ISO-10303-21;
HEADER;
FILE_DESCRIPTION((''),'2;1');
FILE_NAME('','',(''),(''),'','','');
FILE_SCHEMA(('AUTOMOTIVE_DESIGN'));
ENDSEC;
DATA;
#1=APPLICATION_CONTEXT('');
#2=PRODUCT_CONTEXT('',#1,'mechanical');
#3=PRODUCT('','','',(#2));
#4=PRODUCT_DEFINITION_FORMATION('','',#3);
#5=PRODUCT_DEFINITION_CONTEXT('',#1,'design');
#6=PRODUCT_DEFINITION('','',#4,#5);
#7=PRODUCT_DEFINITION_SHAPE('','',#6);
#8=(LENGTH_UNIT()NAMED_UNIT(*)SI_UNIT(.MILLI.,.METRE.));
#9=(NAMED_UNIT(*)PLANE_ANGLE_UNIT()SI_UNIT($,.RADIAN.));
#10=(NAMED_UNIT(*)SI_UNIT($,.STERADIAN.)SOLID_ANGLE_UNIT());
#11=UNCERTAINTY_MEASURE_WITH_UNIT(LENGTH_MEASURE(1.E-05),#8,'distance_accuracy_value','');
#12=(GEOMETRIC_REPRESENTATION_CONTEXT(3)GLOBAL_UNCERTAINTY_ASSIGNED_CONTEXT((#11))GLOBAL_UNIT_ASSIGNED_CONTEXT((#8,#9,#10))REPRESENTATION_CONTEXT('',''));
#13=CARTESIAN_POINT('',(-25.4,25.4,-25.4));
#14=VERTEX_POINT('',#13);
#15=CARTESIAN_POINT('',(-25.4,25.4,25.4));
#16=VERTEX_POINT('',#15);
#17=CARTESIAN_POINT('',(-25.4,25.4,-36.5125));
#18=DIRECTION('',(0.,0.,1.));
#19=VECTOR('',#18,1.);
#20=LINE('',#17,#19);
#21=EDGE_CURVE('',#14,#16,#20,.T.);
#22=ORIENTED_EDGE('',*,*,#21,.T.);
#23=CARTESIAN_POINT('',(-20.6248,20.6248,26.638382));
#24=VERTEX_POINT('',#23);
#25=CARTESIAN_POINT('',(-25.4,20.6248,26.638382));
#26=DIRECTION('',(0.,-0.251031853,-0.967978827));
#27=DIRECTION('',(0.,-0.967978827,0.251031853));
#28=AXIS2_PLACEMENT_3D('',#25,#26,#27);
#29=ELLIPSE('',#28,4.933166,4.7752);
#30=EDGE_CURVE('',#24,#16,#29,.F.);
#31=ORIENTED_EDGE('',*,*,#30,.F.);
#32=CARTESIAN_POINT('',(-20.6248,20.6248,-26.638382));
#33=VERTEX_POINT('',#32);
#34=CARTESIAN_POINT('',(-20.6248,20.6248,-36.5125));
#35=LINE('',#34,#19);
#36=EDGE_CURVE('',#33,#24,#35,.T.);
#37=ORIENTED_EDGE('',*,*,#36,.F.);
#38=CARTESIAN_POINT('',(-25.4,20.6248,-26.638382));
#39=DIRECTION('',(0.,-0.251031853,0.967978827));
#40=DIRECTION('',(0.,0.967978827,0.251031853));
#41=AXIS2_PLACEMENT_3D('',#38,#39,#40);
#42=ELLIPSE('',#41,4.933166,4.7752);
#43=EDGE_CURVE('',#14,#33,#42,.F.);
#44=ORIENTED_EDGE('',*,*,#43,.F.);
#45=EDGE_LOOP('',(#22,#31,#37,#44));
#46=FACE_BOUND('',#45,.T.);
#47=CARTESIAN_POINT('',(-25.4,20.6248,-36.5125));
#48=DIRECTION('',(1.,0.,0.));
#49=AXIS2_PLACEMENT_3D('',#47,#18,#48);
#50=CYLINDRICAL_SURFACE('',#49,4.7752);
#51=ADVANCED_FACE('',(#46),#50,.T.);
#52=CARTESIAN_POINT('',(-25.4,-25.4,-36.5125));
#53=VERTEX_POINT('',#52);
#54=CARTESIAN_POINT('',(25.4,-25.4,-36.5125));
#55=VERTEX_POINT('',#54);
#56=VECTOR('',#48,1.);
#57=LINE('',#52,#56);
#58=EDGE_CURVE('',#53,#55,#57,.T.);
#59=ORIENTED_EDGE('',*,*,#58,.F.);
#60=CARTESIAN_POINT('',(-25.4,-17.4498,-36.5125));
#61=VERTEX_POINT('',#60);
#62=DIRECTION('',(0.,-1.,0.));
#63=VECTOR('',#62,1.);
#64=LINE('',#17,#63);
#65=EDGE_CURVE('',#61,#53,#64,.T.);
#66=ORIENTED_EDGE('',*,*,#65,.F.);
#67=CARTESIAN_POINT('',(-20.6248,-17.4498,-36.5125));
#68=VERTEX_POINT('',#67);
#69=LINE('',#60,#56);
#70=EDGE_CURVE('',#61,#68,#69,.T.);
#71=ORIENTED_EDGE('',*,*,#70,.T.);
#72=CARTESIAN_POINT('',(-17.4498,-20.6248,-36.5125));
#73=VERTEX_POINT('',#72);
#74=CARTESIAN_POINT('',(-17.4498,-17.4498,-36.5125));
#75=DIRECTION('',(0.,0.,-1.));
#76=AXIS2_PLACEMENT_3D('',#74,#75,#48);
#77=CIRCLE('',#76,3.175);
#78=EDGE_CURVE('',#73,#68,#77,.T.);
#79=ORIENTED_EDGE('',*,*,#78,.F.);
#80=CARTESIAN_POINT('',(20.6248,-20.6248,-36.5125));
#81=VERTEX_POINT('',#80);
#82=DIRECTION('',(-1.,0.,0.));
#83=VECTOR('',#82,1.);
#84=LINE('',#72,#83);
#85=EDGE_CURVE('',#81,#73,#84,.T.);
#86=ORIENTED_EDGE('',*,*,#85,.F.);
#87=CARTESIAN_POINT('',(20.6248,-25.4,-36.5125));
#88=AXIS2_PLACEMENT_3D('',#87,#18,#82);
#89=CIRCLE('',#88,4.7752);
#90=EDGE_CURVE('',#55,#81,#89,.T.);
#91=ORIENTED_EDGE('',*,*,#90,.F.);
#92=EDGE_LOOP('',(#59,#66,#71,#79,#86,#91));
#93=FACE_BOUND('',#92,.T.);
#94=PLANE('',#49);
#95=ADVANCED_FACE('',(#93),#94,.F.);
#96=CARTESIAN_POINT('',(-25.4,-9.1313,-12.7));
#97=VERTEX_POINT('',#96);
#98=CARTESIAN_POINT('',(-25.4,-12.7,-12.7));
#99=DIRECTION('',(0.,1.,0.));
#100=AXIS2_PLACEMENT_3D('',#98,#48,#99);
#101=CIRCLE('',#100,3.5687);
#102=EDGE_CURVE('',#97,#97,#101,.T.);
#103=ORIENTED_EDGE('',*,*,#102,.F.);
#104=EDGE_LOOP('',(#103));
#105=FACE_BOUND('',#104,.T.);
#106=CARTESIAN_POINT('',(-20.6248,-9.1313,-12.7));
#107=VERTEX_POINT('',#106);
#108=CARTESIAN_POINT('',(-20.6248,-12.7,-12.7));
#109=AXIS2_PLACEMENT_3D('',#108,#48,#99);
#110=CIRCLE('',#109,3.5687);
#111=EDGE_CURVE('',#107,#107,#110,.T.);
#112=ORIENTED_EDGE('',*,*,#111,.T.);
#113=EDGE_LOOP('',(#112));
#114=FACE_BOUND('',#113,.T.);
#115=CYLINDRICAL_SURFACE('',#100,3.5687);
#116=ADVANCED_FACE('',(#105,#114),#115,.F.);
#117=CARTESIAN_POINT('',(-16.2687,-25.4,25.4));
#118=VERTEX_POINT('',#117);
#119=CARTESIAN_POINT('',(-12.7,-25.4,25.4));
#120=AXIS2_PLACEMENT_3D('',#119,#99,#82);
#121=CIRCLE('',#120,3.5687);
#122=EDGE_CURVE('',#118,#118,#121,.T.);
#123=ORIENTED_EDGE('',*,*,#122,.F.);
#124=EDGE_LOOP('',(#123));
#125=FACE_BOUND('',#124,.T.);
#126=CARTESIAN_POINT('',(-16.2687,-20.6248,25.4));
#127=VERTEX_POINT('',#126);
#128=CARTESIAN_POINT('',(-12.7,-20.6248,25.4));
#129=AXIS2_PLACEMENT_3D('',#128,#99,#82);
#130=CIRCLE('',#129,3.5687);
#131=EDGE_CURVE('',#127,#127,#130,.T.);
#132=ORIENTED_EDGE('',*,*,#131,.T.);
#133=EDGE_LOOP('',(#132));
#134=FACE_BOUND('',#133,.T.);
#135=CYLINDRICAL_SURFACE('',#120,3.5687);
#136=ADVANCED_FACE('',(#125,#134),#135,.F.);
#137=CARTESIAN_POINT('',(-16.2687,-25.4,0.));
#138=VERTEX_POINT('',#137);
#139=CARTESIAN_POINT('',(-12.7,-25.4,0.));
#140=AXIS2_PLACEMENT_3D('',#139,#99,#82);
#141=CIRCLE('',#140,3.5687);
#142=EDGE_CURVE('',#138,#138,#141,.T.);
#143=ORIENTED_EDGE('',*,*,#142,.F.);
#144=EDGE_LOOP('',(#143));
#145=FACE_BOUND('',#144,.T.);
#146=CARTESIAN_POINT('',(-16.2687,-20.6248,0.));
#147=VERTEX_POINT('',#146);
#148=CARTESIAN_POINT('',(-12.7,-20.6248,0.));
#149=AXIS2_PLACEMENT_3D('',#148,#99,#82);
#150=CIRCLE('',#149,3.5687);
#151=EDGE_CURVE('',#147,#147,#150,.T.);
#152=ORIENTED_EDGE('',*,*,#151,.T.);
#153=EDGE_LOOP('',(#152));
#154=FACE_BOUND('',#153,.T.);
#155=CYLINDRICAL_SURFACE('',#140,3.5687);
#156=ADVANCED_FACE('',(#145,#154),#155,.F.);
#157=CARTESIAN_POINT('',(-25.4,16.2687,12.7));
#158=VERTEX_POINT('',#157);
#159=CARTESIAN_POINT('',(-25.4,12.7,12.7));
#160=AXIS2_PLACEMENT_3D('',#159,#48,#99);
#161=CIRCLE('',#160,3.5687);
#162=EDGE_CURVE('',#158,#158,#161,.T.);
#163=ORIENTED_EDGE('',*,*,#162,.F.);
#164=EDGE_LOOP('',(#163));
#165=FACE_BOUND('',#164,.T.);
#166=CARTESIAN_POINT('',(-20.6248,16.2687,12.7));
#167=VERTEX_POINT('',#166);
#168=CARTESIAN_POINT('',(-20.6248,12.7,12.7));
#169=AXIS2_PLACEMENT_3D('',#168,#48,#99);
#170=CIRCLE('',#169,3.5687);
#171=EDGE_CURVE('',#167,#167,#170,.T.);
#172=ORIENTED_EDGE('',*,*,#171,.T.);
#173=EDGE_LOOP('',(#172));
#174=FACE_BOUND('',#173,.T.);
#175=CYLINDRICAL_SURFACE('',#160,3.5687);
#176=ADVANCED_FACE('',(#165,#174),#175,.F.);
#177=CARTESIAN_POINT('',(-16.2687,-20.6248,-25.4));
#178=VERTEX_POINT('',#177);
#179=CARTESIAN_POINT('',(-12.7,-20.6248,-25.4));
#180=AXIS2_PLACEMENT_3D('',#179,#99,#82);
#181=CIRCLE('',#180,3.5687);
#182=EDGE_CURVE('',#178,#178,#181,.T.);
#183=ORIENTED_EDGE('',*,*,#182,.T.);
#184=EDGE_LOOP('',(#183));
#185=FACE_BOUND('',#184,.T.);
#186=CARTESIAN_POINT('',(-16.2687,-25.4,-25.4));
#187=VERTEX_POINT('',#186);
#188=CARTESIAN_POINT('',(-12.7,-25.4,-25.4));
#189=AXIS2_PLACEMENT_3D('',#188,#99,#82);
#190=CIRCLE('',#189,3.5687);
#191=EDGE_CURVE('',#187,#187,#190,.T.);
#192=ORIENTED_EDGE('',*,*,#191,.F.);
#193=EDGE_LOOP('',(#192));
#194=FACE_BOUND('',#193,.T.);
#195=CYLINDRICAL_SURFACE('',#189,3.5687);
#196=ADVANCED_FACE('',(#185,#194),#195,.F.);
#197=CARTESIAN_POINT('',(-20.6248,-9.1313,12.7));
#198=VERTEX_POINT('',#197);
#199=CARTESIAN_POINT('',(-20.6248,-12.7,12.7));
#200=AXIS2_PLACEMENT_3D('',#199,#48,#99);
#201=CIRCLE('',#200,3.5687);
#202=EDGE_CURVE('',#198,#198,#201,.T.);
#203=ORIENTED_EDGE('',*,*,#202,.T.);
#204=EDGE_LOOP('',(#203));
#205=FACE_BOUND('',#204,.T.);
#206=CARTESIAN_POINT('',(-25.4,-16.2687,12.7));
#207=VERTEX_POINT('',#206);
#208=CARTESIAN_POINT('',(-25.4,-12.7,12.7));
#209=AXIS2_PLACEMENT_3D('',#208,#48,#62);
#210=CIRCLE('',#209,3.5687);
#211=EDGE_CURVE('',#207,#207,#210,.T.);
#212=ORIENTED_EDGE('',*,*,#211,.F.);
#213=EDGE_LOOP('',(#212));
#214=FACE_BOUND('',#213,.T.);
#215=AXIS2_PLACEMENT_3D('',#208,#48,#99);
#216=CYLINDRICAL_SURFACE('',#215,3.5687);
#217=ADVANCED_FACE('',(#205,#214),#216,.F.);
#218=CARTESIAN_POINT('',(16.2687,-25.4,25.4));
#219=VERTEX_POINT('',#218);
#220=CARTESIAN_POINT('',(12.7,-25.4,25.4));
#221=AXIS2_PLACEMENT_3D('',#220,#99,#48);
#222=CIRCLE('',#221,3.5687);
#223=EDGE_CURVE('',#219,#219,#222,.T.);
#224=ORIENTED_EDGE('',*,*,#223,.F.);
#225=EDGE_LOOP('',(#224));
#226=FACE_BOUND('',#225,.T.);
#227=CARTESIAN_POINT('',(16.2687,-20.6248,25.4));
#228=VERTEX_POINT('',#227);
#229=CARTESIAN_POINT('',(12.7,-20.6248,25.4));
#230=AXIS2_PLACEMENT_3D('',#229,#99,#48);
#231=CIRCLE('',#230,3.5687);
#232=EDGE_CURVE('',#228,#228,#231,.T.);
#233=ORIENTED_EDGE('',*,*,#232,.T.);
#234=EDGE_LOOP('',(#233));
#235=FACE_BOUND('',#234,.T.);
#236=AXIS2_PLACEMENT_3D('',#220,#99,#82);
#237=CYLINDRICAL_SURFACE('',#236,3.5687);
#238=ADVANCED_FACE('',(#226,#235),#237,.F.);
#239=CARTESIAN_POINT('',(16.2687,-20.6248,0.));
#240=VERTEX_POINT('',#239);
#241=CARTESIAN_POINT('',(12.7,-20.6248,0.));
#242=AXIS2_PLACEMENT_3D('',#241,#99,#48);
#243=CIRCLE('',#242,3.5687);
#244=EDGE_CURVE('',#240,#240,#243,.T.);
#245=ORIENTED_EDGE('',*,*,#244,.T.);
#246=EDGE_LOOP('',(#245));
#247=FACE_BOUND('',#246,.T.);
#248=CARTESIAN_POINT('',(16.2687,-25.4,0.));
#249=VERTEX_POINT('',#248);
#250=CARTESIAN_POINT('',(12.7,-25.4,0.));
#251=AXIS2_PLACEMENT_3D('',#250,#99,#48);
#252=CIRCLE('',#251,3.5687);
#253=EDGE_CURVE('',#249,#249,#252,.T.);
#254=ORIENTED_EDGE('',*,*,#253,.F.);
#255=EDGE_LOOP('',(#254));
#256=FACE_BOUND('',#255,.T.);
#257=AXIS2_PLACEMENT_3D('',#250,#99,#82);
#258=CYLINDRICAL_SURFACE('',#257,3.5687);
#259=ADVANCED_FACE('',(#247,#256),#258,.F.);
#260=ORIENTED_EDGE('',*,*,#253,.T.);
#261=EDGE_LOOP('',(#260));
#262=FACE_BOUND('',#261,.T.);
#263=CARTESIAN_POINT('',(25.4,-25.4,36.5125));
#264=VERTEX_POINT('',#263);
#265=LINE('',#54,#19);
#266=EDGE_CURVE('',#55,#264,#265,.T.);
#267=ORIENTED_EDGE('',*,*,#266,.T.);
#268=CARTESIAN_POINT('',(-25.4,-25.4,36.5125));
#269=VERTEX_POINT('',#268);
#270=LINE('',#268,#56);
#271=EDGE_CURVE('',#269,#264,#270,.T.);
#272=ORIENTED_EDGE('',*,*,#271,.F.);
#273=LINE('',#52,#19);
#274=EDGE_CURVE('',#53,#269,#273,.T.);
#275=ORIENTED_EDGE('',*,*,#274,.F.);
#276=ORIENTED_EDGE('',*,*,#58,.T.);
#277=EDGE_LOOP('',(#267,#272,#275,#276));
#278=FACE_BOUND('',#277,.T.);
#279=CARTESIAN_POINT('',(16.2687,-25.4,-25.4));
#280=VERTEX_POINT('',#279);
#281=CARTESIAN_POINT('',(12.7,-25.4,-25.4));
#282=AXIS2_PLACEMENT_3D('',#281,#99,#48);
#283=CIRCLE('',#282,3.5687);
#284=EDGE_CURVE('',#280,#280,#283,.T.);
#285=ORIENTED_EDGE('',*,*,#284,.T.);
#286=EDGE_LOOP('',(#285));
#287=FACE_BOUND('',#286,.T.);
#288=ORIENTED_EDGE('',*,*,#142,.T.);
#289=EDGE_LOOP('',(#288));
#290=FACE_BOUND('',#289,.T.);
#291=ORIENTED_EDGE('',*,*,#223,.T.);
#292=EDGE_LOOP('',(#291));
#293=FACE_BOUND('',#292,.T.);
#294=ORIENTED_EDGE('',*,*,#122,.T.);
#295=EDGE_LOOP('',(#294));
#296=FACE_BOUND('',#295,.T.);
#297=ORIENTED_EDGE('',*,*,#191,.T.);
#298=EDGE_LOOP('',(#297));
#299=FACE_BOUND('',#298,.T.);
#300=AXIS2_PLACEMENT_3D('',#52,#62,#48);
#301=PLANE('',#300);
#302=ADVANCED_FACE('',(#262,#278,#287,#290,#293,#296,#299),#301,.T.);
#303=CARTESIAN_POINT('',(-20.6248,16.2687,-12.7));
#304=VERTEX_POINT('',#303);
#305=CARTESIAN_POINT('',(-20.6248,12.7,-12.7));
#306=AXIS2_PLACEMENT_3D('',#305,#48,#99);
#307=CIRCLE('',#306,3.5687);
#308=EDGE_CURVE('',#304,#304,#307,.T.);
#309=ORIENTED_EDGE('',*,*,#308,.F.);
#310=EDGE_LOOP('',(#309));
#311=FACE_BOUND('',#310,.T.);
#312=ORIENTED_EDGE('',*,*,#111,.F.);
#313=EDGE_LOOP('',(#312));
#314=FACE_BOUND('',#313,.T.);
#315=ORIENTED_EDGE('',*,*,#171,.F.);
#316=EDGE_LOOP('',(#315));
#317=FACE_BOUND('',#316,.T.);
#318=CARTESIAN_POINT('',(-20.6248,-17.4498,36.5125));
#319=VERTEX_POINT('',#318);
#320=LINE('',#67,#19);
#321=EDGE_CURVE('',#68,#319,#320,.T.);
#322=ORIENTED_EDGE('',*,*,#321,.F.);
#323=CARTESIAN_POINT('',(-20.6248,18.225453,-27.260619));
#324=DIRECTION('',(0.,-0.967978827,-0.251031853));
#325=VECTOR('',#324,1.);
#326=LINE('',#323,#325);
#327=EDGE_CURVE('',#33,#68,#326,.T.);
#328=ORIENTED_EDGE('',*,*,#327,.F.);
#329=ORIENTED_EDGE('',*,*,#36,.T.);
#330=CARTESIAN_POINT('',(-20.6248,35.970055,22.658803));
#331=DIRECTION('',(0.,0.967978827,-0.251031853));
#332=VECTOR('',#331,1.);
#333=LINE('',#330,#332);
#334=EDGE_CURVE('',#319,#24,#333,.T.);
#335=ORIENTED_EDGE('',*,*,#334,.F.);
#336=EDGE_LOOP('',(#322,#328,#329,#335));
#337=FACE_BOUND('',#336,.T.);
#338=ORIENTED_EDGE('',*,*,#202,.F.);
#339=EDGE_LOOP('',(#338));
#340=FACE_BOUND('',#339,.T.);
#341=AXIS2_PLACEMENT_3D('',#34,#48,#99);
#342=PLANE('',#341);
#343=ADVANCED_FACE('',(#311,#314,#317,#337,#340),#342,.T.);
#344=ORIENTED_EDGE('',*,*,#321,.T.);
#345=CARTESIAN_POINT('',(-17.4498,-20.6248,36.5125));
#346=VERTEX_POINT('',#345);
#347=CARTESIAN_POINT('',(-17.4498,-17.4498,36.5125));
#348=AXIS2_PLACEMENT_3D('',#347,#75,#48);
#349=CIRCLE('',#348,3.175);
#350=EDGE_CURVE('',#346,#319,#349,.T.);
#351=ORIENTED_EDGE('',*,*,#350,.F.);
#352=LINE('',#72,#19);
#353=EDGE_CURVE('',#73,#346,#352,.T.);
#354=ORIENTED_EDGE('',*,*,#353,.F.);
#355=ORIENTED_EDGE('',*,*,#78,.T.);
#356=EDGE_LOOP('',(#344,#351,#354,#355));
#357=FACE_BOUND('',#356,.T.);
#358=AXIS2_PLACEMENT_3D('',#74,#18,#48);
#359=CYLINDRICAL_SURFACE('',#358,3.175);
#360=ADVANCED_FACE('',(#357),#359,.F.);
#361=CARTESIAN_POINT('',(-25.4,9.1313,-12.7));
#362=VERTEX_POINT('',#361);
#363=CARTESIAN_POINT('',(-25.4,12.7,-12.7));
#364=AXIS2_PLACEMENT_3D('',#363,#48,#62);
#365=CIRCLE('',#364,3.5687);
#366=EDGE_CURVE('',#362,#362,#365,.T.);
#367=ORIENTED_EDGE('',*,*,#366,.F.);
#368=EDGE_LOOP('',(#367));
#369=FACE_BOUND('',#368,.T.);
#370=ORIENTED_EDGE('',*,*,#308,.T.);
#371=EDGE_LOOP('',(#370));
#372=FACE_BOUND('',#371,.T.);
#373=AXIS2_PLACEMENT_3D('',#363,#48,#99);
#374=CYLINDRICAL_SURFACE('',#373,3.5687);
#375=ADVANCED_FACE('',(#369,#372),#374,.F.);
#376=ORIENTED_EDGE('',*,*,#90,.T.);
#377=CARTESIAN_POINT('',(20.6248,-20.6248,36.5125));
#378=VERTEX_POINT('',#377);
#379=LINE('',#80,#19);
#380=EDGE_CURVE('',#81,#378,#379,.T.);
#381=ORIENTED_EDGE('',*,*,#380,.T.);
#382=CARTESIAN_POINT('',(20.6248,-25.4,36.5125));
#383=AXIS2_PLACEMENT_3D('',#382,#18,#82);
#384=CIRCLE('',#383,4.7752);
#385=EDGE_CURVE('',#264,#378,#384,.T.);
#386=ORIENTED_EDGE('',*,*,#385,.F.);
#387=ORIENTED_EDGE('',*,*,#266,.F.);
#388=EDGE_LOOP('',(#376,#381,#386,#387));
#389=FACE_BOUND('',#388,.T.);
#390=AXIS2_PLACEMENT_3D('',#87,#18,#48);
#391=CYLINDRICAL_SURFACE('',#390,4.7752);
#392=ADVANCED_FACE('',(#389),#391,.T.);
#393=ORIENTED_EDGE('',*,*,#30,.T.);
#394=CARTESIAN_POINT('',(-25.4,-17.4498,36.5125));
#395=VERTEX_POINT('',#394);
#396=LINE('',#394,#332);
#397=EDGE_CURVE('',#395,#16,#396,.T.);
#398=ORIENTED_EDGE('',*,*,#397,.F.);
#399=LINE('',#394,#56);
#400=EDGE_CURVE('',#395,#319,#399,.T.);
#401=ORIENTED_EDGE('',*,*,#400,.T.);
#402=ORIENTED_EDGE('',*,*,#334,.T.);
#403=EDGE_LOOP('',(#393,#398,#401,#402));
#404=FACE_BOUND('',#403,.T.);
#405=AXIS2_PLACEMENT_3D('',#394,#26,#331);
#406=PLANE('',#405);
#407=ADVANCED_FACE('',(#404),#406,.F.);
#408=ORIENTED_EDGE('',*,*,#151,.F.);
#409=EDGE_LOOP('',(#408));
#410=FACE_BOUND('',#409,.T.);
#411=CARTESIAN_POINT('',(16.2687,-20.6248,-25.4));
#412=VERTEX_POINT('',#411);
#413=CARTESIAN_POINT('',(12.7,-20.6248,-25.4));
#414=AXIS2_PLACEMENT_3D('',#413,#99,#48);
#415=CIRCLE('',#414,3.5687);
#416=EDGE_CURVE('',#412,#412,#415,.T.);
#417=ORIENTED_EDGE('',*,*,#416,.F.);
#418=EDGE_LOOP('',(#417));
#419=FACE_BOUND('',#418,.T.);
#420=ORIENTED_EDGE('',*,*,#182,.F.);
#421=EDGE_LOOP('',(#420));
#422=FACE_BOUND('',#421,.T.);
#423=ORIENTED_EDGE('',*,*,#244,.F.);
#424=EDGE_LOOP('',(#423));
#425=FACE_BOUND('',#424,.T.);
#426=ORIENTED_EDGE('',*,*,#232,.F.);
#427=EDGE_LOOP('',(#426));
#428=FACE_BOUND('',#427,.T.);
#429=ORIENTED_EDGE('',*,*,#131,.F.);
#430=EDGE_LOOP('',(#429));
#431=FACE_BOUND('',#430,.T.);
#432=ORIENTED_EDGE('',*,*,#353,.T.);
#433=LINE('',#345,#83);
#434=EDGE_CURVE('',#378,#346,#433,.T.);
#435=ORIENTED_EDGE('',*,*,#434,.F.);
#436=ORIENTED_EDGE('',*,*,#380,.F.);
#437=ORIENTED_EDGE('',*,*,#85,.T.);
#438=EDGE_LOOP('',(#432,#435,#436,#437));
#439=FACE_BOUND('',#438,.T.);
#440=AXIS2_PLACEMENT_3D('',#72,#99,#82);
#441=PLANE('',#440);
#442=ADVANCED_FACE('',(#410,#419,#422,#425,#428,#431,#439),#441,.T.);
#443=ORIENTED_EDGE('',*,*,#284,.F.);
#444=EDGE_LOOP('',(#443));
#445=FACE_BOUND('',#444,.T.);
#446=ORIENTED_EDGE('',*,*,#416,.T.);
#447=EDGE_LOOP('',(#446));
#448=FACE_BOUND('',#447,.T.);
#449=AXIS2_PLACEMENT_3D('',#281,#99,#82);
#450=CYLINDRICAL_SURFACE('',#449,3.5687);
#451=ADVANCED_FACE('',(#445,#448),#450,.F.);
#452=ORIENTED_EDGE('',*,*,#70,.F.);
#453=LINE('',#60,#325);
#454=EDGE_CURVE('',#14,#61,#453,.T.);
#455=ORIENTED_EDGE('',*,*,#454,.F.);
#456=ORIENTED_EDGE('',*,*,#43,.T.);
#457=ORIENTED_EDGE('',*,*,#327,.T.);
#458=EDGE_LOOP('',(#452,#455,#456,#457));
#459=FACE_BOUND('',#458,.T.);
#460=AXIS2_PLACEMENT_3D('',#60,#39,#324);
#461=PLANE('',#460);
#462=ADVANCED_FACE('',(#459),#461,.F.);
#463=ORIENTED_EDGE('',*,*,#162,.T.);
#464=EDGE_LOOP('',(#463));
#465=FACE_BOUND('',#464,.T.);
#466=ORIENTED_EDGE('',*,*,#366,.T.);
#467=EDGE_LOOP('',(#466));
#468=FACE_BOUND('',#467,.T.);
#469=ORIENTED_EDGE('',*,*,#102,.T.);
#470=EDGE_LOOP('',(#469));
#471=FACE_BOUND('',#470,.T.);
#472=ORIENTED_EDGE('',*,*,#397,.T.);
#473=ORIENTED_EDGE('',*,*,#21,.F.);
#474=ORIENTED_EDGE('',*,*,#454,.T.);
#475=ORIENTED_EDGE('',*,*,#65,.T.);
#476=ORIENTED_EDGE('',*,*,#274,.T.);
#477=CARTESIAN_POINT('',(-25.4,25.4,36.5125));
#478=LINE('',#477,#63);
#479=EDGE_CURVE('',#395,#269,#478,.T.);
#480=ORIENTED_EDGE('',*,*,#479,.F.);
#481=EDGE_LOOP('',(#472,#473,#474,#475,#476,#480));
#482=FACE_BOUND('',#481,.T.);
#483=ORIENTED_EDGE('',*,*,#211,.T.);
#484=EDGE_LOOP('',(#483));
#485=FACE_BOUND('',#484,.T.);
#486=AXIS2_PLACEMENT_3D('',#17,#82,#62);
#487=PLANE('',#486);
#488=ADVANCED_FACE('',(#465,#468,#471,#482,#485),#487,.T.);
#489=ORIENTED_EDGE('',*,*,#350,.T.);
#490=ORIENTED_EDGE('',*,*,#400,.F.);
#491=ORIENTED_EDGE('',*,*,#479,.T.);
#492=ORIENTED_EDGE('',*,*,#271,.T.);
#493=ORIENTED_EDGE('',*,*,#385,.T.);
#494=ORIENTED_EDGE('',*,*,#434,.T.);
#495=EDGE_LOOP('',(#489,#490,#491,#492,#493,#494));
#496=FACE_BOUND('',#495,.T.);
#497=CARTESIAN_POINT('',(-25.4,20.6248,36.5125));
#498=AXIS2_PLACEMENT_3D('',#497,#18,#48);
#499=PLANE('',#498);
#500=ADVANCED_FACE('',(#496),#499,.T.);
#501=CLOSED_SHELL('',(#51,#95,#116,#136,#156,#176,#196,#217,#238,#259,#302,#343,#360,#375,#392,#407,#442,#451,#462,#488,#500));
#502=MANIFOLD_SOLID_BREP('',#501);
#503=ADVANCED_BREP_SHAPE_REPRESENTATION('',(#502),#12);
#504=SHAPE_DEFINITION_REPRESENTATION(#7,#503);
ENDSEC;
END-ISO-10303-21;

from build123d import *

# Parameters (mm, degrees)
BOSS_EXTRUDE1_DEPTH      = 36.5125
BOSS_EXTRUDE1_DEPTH_BACK = 36.5125
CUT_EXTRUDE1_DEPTH       = 65.004725383
CUT_EXTRUDE1_DEPTH_BACK  = 65.004725383
CUT_EXTRUDE2_DEPTH       = 65.004725383
CUT_EXTRUDE2_DEPTH_BACK  = 65.004725383
SKETCH6_R                = 3.5687
SKETCH7_R                = 3.5687
CUT_EXTRUDE3_DEPTH       = 65.004725383


with BuildPart() as part:
    # Sketch4 → Boss-Extrude1 (new, two sides: drawn at the far end of the back side and taken through both)
    with BuildSketch(Plane.XY.offset(-BOSS_EXTRUDE1_DEPTH_BACK)):
        with BuildLine():
            Line((-25.4, 25.4), (-25.4, -25.4))
            Line((-25.4, -25.4), (25.4, -25.4))
            ThreePointArc((25.4, -25.4), (24.001376302, -22.023423698), (20.6248, -20.6248))
            Line((20.6248, -20.6248), (-17.4498, -20.6248))
            ThreePointArc((-17.4498, -20.6248), (-19.69486403, -19.69486403), (-20.6248, -17.4498))
            Line((-20.6248, -17.4498), (-20.6248, 20.6248))
            ThreePointArc((-20.6248, 20.6248), (-22.023423698, 24.001376302), (-25.4, 25.4))
        make_face()
    extrude(amount=BOSS_EXTRUDE1_DEPTH + BOSS_EXTRUDE1_DEPTH_BACK)

    # Sketch5 → Cut-Extrude1 (cut, two sides: drawn at the far end of the back side and taken through both)
    with BuildSketch(Plane(origin=(-20.6248, 0, 0), x_dir=(0, 0, -1), z_dir=(1, 0, 0)).offset(-CUT_EXTRUDE1_DEPTH_BACK)):
        Polygon((-36.5125, -17.4498), (-25.4, 25.4), (-36.5125, 25.4), align=None)
        Polygon((36.5125, 25.4), (25.4, 25.4), (36.5125, -17.4498), align=None)
    extrude(amount=CUT_EXTRUDE1_DEPTH + CUT_EXTRUDE1_DEPTH_BACK, mode=Mode.SUBTRACT)

    # Sketch6 → Cut-Extrude2 (cut, two sides: drawn at the far end of the back side and taken through both)
    with BuildSketch(Plane(origin=(-20.6248, 0, 0), x_dir=(0, 0, -1), z_dir=(1, 0, 0)).offset(-CUT_EXTRUDE2_DEPTH_BACK)):
        with Locations(Location((-12.7, 12.7, 0), (0, 0, 90))):
            Circle(SKETCH6_R)
        with Locations(Location((-12.7, -12.7, 0), (0, 0, 90))):
            Circle(SKETCH6_R)
        with Locations(Location((12.7, -12.7, 0), (0, 0, 90))):
            Circle(SKETCH6_R)
        with Locations(Location((12.7, 12.7, 0), (0, 0, 90))):
            Circle(SKETCH6_R)
    extrude(amount=CUT_EXTRUDE2_DEPTH + CUT_EXTRUDE2_DEPTH_BACK, mode=Mode.SUBTRACT)

    # Sketch7 → Cut-Extrude3 (cut, through all)
    with BuildSketch(Plane(origin=(0, -20.6248, 0), x_dir=(1, 0, 0), z_dir=(0, 1, 0))):
        with Locations(Location((-12.7, 0, 0), (0, 0, 180))):
            Circle(SKETCH7_R)
        with Locations(Location((-12.7, 25.4, 0), (0, 0, 180))):
            Circle(SKETCH7_R)
        with Locations(Location((-12.7, -25.4, 0), (0, 0, 180))):
            Circle(SKETCH7_R)
        with Locations((12.7, -25.4)):
            Circle(SKETCH7_R)
        with Locations((12.7, 25.4)):
            Circle(SKETCH7_R)
        with Locations((12.7, 0)):
            Circle(SKETCH7_R)
    extrude(amount=-CUT_EXTRUDE3_DEPTH, mode=Mode.SUBTRACT)


solid = part.part
